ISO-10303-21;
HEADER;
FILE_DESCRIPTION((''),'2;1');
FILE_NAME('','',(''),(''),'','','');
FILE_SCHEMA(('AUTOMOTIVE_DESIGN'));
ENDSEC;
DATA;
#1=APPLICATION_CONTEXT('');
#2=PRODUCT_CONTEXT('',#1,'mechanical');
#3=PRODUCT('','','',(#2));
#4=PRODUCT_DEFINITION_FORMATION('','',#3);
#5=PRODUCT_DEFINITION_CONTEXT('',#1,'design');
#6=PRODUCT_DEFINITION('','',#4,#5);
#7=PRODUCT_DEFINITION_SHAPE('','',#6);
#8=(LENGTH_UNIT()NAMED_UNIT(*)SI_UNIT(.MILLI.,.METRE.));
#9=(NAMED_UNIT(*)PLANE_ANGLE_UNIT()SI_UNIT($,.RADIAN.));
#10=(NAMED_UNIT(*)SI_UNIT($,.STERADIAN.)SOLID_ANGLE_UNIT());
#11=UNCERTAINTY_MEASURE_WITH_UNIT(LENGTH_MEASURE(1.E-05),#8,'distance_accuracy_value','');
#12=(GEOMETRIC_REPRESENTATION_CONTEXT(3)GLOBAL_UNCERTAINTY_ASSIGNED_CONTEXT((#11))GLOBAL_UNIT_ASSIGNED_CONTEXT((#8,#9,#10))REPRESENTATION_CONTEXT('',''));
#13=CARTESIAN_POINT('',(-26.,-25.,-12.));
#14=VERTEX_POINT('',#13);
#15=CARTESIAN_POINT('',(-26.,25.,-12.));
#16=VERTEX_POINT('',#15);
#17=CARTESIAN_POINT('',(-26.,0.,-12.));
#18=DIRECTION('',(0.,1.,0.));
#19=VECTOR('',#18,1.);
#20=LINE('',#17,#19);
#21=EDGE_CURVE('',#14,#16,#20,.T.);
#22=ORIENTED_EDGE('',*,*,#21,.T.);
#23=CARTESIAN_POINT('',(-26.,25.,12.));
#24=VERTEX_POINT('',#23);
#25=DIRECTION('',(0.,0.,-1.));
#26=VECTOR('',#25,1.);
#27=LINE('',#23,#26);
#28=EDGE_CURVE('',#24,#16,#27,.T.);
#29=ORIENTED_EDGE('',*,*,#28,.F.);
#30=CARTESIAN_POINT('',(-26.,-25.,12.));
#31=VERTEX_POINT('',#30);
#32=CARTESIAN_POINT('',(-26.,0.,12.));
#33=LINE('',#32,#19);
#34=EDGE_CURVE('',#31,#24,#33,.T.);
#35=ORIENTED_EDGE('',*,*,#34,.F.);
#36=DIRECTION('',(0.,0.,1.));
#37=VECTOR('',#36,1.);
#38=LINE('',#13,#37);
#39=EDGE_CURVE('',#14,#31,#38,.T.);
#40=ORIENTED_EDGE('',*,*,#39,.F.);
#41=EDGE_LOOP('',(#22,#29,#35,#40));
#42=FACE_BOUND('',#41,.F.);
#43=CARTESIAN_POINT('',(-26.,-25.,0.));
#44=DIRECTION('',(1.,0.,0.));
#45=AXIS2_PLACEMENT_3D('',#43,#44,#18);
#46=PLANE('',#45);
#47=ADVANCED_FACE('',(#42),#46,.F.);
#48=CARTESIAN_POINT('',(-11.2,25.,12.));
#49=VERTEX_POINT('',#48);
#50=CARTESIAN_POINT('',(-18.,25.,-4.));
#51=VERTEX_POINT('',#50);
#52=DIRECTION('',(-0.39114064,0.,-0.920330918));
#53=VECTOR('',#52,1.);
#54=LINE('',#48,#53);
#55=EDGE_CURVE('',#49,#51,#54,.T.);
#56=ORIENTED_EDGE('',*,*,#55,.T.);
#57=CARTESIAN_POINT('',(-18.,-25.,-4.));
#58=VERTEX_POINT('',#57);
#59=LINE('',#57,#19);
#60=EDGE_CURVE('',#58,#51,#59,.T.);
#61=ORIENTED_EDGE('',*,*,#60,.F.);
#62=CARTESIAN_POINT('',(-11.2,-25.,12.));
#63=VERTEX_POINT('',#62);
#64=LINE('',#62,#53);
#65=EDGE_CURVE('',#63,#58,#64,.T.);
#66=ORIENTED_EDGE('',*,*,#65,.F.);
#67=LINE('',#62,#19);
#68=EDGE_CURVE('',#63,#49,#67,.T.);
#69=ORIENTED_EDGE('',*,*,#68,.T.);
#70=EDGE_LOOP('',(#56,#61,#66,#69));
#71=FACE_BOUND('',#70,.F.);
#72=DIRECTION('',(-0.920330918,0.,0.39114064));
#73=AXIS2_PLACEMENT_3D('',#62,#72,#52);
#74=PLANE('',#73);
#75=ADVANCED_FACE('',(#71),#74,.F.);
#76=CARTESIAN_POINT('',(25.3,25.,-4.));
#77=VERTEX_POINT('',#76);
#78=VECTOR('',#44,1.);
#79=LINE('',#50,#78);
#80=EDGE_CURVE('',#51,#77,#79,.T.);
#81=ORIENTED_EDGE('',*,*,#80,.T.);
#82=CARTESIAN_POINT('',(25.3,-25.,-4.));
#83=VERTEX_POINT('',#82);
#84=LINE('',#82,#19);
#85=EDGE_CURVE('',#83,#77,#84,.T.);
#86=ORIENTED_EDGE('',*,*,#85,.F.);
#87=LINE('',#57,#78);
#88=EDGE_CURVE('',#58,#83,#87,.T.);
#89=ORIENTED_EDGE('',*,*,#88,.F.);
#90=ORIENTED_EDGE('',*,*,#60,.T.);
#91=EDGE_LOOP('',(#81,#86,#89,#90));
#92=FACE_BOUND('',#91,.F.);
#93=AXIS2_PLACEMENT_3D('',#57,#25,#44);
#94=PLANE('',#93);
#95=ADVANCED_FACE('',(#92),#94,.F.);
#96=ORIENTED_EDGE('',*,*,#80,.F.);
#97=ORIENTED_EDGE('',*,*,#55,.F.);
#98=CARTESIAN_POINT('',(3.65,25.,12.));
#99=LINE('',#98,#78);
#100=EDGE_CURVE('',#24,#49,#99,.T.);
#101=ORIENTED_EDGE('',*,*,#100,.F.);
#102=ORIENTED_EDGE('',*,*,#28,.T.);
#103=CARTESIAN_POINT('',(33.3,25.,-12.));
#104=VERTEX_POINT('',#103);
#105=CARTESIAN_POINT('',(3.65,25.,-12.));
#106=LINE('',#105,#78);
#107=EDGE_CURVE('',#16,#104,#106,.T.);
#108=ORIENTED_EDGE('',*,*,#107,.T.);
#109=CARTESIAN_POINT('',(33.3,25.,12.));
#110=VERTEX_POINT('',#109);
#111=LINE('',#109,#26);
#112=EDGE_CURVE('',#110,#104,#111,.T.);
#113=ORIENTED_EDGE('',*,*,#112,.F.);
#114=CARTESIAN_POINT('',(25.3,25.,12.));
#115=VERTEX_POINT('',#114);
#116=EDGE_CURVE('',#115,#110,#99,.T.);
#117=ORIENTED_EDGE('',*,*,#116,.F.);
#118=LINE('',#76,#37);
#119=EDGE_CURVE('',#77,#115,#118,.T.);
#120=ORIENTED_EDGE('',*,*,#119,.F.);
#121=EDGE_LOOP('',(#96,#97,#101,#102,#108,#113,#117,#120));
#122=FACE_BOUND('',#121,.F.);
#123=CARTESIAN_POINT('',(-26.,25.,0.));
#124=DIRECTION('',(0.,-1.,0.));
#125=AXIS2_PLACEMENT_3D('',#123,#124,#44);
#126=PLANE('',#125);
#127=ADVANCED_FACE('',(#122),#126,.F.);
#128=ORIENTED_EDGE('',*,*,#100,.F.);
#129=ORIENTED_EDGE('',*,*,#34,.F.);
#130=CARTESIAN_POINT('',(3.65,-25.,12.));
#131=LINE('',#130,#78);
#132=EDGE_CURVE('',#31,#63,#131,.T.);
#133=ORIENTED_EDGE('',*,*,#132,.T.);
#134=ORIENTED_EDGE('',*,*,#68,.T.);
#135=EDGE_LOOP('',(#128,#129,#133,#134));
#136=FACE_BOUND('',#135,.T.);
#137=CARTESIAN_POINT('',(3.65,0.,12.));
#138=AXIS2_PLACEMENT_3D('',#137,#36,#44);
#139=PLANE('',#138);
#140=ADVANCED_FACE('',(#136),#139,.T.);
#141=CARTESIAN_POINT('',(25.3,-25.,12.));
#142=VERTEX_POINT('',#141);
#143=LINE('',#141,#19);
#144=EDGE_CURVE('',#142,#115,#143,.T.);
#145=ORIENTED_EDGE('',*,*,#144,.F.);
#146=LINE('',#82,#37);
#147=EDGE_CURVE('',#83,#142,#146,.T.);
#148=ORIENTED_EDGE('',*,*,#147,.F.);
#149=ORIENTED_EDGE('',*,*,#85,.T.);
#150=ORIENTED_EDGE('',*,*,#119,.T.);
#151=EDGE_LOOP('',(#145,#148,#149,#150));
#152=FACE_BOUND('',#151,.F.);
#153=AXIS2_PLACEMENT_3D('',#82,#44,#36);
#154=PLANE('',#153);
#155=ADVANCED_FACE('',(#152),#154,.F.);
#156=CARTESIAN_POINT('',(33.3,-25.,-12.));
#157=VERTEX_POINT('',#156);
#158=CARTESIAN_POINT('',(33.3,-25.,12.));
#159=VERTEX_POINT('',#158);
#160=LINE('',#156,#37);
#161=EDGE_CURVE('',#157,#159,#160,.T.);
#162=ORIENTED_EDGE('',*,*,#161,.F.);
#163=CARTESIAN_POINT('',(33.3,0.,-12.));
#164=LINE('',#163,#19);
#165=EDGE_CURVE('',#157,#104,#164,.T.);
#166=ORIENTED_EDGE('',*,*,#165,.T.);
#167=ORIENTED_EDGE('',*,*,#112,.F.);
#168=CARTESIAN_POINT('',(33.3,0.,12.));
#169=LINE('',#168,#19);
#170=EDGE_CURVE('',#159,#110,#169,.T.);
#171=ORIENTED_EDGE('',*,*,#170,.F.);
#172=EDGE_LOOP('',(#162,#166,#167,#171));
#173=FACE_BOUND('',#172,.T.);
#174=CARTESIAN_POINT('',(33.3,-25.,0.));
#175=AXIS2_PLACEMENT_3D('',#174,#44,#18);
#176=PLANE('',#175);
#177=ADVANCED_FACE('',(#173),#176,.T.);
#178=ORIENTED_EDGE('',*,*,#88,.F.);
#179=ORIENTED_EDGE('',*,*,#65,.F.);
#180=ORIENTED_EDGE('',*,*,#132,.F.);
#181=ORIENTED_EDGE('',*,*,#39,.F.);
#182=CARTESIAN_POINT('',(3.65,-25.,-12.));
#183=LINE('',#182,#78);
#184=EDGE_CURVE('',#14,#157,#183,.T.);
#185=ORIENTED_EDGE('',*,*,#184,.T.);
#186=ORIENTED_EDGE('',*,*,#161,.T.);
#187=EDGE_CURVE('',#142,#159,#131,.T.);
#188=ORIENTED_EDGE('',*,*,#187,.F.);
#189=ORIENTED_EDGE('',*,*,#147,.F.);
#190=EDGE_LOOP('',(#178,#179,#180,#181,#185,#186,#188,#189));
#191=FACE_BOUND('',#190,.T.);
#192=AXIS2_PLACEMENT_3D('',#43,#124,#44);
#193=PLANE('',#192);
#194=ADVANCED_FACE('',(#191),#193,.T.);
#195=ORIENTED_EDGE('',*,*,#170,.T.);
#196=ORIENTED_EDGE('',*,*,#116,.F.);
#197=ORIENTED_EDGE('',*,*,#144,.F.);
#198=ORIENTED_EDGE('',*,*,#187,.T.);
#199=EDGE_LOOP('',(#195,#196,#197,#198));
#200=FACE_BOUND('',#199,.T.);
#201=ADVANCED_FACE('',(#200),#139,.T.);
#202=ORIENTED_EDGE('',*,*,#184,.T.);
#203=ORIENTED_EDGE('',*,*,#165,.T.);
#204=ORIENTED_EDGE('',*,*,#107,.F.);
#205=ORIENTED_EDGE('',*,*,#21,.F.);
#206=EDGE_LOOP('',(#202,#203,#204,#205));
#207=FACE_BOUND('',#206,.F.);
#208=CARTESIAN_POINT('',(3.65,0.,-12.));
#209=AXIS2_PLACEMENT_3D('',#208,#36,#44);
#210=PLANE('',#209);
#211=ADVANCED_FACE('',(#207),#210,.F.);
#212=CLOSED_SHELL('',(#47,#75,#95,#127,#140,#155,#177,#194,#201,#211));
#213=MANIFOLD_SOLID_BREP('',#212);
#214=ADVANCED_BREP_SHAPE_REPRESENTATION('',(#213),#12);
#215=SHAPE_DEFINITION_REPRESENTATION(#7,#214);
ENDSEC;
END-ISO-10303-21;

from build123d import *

# Parameters (mm, degrees)
F0_W     = 59.3
F0_H     = 50
F1_DEPTH = 12
F3_DEPTH = 50


with BuildPart() as f1:
    # F0 (on Top) → F1 (new body, symmetric)
    with BuildSketch(Plane.XY):
        with Locations((3.65, 0)):
            Rectangle(F0_W, F0_H)
    extrude(amount=F1_DEPTH, both=True)

    # F2 (on face) → F3 (cut)
    with BuildSketch(Plane.XZ.offset(25)):
        Polygon((25.3, -4), (25.3, 12), (-11.2, 12), (-18, -4), align=None)
    extrude(amount=-F3_DEPTH, mode=Mode.SUBTRACT)


solid = f1.part
